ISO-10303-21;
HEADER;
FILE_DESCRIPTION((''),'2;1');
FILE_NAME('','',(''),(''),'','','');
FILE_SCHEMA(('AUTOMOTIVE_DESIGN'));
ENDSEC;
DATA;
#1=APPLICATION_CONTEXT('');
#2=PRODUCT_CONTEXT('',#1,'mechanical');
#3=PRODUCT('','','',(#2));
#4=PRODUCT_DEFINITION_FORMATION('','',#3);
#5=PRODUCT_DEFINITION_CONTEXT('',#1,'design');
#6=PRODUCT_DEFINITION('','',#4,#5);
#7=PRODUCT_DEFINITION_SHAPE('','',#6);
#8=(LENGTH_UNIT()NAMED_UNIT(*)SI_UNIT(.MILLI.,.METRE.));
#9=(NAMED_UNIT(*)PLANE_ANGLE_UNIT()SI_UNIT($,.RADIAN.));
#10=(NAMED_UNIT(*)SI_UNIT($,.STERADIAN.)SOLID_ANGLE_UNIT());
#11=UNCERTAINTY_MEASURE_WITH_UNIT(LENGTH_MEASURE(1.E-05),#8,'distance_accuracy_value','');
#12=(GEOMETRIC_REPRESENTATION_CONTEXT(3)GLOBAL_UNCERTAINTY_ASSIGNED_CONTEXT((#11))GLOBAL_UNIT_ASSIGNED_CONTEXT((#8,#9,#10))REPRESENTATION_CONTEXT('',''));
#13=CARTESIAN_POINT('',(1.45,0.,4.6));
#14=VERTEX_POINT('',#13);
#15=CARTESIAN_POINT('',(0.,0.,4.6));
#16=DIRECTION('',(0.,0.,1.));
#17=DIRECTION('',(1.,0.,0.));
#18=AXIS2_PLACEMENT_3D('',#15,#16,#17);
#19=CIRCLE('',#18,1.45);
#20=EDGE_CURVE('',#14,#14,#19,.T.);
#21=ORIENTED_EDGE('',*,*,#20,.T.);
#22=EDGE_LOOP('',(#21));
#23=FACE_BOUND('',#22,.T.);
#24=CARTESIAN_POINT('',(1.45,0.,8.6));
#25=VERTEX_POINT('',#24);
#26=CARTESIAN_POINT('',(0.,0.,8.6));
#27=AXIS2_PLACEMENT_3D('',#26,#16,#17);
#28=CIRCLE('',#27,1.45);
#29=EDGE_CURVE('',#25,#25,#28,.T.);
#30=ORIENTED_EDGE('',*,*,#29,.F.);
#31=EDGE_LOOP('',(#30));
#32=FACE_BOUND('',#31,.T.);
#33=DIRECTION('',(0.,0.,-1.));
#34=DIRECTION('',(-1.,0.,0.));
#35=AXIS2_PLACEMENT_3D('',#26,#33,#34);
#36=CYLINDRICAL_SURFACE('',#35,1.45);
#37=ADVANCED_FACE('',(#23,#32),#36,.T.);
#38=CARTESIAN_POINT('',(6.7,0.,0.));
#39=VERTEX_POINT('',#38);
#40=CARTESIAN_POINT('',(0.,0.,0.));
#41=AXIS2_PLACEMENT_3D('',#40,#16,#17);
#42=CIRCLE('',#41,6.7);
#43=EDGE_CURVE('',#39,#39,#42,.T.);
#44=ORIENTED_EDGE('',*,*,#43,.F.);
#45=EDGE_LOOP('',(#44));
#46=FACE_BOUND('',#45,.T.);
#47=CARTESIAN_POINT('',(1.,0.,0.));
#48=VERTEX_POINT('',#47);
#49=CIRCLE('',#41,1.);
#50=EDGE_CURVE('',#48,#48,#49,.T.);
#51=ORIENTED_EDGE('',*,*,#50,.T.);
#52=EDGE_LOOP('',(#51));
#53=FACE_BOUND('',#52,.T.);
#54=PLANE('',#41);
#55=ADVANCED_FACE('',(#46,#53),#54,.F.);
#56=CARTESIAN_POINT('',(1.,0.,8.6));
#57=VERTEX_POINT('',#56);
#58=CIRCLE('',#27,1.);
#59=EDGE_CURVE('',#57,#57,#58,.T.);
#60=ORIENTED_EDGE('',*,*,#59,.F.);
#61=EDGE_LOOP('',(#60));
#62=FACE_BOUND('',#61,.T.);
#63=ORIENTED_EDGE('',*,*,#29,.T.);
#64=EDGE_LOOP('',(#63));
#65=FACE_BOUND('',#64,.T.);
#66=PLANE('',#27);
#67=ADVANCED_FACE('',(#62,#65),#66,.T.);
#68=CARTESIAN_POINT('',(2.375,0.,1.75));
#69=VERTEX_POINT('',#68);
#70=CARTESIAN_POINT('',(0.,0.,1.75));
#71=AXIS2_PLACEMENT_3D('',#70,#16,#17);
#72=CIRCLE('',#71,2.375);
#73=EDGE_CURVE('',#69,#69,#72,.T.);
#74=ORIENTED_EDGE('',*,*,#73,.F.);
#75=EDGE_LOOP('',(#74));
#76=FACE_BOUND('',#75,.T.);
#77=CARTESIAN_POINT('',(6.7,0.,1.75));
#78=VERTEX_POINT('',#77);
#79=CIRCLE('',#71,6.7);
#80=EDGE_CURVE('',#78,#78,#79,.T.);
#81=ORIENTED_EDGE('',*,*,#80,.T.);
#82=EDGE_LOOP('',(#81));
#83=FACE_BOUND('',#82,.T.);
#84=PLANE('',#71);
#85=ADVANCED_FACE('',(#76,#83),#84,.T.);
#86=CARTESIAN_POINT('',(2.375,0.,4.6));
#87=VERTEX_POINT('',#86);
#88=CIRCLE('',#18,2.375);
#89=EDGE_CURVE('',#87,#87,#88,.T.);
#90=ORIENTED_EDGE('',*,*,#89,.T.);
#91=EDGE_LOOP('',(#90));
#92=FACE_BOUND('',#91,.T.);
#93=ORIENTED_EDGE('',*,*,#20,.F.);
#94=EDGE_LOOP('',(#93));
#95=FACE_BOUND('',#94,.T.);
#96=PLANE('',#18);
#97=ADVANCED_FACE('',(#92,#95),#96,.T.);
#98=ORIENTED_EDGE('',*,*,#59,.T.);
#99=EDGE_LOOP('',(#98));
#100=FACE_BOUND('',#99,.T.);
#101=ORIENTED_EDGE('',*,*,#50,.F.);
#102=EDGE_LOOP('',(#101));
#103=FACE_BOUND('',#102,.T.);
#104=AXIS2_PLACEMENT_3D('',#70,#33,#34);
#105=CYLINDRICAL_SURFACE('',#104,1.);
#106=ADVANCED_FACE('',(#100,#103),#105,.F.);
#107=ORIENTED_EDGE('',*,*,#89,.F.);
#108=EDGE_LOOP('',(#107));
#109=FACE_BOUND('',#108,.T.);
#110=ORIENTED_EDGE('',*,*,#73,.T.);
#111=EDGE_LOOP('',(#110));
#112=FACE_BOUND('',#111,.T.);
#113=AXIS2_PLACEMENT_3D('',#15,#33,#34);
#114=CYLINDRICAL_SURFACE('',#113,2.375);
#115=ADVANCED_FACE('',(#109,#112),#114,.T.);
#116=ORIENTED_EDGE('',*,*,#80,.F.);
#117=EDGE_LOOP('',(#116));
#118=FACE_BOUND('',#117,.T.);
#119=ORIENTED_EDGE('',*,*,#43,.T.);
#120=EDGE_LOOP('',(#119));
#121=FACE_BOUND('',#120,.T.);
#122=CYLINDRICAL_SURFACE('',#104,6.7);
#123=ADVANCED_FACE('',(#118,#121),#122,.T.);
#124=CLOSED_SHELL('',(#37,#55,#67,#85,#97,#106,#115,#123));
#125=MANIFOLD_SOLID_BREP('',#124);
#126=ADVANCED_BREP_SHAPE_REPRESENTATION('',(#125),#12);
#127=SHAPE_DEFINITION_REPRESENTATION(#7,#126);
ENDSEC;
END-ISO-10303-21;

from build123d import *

# Parameters (mm, degrees)
SKETCH_1_R      = 6.7
SKETCH_1_R_2    = 1
EXTRUDE_1_DEPTH = 1.75
SKETCH_2_R      = 2.375
SKETCH_2_R_2    = 1
EXTRUDE_2_DEPTH = 2.85
SKETCH_3_R      = 1.45
SKETCH_3_R_2    = 1
EXTRUDE_3_DEPTH = 4


with BuildPart() as part:
    # 草图1 → 凸台-拉伸1 (new body)
    with BuildSketch(Plane.XY):
        Circle(SKETCH_1_R)
        Circle(SKETCH_1_R_2, mode=Mode.SUBTRACT)
    extrude(amount=EXTRUDE_1_DEPTH)

    # 草图2 → 凸台-拉伸2 (add)
    with BuildSketch(Plane.XY.offset(1.75)):
        Circle(SKETCH_2_R)
        Circle(SKETCH_2_R_2, mode=Mode.SUBTRACT)
    extrude(amount=EXTRUDE_2_DEPTH)

    # 草图3 → 凸台-拉伸3 (add)
    with BuildSketch(Plane.XY.offset(4.6)):
        Circle(SKETCH_3_R)
        Circle(SKETCH_3_R_2, mode=Mode.SUBTRACT)
    extrude(amount=EXTRUDE_3_DEPTH)


solid = part.part
